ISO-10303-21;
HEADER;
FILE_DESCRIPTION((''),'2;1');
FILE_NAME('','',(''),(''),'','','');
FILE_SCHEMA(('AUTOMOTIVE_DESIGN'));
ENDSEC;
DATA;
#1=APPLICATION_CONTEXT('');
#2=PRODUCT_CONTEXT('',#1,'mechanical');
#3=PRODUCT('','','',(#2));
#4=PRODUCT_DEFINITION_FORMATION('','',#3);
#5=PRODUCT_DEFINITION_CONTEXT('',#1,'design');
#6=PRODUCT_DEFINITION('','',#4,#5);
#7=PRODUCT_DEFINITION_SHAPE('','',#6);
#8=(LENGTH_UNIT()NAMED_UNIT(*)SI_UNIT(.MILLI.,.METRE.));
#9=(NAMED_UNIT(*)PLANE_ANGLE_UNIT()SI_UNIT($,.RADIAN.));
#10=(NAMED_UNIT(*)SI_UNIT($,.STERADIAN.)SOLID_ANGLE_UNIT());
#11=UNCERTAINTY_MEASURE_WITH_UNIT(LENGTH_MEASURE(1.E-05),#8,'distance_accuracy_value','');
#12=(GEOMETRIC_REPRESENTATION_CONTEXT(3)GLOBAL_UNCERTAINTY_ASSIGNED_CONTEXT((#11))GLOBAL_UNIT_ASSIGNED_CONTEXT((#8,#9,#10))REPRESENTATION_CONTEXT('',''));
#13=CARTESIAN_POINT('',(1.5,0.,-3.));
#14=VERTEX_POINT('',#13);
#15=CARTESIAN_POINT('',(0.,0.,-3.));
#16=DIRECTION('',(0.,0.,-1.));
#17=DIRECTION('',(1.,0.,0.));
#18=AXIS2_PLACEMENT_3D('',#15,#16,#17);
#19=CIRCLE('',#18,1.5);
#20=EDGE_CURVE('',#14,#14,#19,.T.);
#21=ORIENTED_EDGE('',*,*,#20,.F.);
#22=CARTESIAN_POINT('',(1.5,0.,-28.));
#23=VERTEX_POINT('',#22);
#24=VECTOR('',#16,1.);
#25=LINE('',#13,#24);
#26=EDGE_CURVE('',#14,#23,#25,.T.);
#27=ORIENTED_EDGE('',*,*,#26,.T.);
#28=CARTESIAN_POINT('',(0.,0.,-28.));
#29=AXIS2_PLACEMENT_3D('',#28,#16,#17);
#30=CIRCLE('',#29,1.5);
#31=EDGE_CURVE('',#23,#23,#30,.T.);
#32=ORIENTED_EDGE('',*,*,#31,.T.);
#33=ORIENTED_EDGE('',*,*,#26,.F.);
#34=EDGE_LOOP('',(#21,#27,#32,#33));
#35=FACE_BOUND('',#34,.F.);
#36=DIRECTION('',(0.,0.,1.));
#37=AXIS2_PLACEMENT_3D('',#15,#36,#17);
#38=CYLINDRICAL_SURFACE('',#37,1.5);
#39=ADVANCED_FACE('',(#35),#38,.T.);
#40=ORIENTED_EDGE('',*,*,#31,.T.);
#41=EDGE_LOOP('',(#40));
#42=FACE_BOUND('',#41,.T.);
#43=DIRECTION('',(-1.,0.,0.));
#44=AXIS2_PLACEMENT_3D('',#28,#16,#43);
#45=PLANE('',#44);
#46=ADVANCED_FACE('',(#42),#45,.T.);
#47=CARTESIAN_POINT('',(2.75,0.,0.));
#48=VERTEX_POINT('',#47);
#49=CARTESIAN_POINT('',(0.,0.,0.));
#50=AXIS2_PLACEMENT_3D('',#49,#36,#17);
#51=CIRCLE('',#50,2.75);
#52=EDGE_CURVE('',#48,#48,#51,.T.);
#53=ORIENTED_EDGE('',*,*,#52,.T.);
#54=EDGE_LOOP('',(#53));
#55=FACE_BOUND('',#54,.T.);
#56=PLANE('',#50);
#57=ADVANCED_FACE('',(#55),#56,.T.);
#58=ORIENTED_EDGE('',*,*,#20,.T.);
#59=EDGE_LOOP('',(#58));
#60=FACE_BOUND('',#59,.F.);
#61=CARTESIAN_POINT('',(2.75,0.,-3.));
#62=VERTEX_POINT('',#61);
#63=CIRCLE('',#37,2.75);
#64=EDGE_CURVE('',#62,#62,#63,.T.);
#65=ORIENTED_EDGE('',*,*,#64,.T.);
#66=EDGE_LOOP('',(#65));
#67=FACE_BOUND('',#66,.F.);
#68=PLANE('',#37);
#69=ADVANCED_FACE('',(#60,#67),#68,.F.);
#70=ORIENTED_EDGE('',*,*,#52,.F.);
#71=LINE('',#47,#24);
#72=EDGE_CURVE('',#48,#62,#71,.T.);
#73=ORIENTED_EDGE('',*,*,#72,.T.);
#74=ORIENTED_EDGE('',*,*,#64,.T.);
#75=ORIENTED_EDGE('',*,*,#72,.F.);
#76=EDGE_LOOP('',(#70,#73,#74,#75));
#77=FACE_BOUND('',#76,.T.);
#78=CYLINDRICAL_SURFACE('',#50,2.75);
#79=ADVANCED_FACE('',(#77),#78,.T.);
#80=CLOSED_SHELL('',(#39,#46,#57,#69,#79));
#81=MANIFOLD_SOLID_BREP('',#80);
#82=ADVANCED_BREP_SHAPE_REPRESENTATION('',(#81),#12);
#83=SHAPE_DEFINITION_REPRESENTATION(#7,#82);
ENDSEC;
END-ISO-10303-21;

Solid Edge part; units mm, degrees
sketch "Sketch1" plane through (0, 0, 0) normal (0, 0, 1) x (1, 0, 0)
  circle A0 centre (0, 0) radius 2.75
  dimension "D1" = 5.5
extrude "Protrusion1" add sketch "Sketch1" against normal blind 3
sketch "Sketch2" plane through (0, 0, -3) normal (0, 0, -1) x (1, 0, 0)
  circle A0 centre (0, 0) radius 1.5
  dimension "D1" = 3
extrude "ExtrudedProtrusion_2" add sketch "Sketch2" along normal blind 25
properties material "Steel"
